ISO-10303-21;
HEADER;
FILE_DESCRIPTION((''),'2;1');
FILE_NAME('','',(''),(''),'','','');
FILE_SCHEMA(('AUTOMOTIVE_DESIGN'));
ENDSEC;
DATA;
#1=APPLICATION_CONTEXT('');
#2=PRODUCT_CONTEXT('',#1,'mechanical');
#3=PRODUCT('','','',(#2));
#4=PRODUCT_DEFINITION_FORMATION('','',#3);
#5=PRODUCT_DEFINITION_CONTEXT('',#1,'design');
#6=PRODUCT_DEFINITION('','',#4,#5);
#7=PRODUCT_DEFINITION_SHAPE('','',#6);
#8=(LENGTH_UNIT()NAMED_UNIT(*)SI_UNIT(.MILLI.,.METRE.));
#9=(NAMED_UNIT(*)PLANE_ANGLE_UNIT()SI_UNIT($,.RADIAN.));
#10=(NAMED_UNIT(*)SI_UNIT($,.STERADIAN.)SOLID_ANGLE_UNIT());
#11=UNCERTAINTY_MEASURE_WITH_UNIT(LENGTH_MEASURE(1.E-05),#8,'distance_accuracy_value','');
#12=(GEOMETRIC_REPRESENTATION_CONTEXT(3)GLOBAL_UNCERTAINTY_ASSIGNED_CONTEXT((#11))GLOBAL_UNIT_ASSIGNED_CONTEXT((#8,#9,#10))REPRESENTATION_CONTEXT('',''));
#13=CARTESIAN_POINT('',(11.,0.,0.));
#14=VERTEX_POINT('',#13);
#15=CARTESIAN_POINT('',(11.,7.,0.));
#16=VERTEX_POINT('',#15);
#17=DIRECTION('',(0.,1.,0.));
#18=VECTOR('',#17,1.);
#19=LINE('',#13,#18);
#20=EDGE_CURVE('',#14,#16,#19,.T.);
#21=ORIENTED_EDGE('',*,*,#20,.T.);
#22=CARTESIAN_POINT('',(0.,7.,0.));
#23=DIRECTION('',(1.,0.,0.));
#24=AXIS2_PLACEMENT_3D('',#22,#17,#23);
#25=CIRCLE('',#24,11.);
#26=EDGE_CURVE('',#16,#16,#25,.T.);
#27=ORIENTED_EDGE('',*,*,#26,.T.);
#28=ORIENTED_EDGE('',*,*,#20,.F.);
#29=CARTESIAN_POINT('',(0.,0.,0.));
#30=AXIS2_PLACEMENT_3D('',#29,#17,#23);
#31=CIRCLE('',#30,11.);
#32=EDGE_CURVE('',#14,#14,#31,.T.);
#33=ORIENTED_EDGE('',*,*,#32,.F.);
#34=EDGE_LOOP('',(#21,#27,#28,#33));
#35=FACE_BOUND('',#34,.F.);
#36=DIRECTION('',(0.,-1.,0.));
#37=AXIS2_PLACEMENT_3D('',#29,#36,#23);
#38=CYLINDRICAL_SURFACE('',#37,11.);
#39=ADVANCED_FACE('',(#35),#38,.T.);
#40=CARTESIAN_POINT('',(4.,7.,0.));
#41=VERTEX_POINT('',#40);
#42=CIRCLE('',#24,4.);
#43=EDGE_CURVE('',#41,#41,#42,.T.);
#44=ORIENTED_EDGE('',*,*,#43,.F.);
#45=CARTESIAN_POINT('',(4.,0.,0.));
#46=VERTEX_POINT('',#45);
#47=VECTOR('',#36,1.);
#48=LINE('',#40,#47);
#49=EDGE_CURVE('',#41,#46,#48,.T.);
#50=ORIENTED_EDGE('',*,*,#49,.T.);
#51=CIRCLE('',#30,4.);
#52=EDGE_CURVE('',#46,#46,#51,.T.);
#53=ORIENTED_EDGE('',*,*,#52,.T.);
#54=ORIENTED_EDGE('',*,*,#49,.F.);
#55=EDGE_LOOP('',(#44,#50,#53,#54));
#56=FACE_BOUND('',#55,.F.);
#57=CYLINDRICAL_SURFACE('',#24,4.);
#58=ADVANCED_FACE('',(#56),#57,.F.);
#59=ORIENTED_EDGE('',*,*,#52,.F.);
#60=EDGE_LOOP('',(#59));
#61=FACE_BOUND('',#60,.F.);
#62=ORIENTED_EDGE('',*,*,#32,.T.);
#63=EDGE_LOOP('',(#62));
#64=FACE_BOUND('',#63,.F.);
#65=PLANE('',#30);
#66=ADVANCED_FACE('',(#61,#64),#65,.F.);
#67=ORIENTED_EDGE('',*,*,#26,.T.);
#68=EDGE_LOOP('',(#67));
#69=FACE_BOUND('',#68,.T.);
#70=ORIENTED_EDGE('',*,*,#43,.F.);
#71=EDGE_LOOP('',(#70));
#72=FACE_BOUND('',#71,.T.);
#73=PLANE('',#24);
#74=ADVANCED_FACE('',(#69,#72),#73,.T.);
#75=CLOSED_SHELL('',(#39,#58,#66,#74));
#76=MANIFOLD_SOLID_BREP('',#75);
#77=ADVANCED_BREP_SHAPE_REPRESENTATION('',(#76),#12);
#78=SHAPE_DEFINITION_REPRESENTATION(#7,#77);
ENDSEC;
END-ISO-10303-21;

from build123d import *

# Parameters (mm, degrees)
SKETCH1_R           = 11
BOSS_EXTRUDE1_DEPTH = 7
SKETCH2_R           = 4
CUT_EXTRUDE1_DEPTH  = 8


with BuildPart() as part:
    # Sketch1 → Boss-Extrude1 (new body)
    with BuildSketch(Plane(origin=(0, 0, 0), x_dir=(1, 0, 0), z_dir=(0, 1, 0))):
        Circle(SKETCH1_R)
    extrude(amount=BOSS_EXTRUDE1_DEPTH)

    # Sketch2 → Cut-Extrude1 (cut, through all)
    with BuildSketch(Plane(origin=(0, 7, 0), x_dir=(1, 0, 0), z_dir=(0, 1, 0))):
        Circle(SKETCH2_R)
    extrude(amount=-CUT_EXTRUDE1_DEPTH, mode=Mode.SUBTRACT)


solid = part.part
